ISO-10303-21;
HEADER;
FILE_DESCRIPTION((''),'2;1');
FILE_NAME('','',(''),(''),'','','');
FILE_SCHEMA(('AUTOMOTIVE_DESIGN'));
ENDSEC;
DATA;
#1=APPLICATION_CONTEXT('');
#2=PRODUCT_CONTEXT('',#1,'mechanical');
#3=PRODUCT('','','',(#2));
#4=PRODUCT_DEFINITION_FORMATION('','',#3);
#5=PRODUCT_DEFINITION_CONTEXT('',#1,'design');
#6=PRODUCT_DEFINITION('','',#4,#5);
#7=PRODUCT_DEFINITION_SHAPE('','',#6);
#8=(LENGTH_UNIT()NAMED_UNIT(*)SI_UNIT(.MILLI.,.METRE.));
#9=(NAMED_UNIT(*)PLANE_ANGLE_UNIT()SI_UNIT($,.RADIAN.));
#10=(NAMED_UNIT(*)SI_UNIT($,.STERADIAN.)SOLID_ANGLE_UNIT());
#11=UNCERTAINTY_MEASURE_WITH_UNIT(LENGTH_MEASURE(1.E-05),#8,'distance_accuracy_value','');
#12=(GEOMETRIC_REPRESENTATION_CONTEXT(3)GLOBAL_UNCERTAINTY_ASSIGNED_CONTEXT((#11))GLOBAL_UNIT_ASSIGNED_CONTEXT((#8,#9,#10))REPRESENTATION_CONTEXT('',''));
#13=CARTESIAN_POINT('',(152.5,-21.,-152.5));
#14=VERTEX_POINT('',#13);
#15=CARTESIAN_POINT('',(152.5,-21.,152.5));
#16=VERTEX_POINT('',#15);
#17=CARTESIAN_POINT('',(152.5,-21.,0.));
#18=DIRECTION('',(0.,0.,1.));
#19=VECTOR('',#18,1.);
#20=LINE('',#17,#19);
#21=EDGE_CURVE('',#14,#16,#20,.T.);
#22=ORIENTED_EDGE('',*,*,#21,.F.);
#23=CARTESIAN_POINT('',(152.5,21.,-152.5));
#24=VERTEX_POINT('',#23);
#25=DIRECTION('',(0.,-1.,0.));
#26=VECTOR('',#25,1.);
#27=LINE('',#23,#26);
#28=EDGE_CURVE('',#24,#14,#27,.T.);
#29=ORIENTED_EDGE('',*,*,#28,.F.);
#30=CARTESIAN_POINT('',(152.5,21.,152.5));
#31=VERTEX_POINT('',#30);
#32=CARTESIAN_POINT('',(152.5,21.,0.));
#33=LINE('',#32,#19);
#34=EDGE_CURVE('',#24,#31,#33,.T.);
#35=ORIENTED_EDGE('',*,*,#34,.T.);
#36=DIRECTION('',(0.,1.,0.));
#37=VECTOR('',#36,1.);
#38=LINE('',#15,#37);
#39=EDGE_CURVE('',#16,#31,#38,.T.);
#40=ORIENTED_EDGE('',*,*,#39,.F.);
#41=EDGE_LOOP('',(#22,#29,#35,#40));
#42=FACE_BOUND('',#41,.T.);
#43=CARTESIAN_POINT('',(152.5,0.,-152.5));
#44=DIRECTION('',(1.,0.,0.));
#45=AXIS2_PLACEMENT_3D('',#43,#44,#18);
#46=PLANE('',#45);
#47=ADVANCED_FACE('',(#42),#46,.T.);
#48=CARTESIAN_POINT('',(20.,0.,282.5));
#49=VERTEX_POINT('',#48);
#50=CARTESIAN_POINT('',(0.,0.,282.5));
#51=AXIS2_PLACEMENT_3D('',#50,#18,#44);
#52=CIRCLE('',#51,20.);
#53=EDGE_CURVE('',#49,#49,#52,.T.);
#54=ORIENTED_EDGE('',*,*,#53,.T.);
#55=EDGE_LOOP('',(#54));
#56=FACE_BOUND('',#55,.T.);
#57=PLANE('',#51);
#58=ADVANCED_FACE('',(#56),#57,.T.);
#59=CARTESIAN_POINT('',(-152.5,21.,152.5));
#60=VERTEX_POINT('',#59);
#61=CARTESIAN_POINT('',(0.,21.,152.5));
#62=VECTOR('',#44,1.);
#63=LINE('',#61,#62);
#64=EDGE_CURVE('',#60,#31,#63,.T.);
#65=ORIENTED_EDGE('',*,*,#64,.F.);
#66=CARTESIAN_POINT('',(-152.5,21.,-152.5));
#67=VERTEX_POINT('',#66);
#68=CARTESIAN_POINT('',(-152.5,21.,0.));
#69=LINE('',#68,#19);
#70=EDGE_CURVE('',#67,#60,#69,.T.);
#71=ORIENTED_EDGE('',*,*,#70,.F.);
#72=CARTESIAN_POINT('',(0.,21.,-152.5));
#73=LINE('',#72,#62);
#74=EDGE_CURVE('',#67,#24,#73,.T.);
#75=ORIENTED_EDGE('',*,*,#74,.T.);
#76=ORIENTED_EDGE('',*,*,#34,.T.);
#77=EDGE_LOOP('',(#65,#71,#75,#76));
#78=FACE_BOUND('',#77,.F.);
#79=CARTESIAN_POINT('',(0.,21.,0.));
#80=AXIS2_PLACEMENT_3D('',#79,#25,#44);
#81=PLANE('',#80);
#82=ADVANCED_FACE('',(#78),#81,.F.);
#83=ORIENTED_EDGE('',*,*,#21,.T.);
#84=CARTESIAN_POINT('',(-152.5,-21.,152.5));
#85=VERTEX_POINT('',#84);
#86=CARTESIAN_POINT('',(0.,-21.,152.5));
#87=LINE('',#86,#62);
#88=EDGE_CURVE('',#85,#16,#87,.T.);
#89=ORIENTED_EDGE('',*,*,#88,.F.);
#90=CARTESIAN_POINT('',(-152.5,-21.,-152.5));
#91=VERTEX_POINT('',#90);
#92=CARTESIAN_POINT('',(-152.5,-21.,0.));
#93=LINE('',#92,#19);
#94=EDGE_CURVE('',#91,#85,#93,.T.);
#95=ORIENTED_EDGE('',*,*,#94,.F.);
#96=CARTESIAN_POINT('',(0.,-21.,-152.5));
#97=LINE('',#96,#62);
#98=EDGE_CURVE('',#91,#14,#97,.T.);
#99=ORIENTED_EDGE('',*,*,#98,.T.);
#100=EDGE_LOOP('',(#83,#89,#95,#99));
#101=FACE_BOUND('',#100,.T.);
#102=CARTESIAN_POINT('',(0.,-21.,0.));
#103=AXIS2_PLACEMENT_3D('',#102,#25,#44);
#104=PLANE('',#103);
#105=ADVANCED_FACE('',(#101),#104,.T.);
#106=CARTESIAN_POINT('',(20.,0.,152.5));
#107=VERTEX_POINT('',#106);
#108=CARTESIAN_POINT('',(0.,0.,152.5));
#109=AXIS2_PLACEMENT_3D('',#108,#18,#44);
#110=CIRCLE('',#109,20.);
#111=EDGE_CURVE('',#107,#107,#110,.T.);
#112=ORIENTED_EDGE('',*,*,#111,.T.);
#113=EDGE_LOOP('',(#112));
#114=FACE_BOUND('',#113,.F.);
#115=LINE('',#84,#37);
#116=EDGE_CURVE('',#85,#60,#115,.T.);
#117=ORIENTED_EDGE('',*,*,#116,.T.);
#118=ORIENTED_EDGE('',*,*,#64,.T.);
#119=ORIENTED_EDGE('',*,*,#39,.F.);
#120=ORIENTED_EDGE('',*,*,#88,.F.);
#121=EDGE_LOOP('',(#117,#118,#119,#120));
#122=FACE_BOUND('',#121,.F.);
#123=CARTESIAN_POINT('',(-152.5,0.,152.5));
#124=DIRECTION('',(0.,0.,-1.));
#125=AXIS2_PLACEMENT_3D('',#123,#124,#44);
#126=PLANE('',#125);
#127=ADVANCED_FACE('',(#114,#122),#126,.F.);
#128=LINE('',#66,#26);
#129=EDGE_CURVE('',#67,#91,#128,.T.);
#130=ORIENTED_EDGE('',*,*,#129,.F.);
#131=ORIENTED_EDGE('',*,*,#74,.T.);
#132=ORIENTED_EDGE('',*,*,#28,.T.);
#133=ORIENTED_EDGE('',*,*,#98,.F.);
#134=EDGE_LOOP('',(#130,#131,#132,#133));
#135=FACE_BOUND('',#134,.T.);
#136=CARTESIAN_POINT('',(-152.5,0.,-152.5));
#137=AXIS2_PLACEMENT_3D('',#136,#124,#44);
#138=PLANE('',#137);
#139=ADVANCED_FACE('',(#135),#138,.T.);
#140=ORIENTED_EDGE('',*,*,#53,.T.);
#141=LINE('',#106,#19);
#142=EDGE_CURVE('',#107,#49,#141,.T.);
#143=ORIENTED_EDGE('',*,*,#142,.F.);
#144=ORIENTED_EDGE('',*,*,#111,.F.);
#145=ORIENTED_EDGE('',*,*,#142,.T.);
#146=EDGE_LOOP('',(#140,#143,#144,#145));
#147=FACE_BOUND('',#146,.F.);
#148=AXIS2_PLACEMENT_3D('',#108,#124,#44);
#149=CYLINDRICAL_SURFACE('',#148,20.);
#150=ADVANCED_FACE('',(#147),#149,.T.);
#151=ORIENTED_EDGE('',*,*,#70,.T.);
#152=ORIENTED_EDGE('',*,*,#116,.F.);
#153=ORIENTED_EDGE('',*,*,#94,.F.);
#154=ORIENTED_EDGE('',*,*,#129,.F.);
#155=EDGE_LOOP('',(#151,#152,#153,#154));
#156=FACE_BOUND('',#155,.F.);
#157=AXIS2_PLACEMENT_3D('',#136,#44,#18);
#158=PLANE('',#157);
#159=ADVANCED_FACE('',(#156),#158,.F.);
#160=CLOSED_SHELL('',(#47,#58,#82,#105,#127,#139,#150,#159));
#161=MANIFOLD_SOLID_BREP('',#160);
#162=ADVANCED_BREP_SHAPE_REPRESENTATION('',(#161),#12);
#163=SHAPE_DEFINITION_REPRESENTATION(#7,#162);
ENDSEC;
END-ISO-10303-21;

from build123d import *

# Parameters (mm, degrees)
F0_W     = 305
F0_H     = 305
F1_DEPTH = 21
F2_R     = 20
F3_DEPTH = 130


with BuildPart() as f1:
    # F0 (on Front) → F1 (new body, symmetric)
    with BuildSketch(Plane.XZ):
        Rectangle(F0_W, F0_H)
    extrude(amount=F1_DEPTH, both=True)

    # F2 (on face) → F3 (join)
    with BuildSketch(Plane.XY.offset(152.5)):
        Circle(F2_R)
    extrude(amount=F3_DEPTH)


solid = f1.part
